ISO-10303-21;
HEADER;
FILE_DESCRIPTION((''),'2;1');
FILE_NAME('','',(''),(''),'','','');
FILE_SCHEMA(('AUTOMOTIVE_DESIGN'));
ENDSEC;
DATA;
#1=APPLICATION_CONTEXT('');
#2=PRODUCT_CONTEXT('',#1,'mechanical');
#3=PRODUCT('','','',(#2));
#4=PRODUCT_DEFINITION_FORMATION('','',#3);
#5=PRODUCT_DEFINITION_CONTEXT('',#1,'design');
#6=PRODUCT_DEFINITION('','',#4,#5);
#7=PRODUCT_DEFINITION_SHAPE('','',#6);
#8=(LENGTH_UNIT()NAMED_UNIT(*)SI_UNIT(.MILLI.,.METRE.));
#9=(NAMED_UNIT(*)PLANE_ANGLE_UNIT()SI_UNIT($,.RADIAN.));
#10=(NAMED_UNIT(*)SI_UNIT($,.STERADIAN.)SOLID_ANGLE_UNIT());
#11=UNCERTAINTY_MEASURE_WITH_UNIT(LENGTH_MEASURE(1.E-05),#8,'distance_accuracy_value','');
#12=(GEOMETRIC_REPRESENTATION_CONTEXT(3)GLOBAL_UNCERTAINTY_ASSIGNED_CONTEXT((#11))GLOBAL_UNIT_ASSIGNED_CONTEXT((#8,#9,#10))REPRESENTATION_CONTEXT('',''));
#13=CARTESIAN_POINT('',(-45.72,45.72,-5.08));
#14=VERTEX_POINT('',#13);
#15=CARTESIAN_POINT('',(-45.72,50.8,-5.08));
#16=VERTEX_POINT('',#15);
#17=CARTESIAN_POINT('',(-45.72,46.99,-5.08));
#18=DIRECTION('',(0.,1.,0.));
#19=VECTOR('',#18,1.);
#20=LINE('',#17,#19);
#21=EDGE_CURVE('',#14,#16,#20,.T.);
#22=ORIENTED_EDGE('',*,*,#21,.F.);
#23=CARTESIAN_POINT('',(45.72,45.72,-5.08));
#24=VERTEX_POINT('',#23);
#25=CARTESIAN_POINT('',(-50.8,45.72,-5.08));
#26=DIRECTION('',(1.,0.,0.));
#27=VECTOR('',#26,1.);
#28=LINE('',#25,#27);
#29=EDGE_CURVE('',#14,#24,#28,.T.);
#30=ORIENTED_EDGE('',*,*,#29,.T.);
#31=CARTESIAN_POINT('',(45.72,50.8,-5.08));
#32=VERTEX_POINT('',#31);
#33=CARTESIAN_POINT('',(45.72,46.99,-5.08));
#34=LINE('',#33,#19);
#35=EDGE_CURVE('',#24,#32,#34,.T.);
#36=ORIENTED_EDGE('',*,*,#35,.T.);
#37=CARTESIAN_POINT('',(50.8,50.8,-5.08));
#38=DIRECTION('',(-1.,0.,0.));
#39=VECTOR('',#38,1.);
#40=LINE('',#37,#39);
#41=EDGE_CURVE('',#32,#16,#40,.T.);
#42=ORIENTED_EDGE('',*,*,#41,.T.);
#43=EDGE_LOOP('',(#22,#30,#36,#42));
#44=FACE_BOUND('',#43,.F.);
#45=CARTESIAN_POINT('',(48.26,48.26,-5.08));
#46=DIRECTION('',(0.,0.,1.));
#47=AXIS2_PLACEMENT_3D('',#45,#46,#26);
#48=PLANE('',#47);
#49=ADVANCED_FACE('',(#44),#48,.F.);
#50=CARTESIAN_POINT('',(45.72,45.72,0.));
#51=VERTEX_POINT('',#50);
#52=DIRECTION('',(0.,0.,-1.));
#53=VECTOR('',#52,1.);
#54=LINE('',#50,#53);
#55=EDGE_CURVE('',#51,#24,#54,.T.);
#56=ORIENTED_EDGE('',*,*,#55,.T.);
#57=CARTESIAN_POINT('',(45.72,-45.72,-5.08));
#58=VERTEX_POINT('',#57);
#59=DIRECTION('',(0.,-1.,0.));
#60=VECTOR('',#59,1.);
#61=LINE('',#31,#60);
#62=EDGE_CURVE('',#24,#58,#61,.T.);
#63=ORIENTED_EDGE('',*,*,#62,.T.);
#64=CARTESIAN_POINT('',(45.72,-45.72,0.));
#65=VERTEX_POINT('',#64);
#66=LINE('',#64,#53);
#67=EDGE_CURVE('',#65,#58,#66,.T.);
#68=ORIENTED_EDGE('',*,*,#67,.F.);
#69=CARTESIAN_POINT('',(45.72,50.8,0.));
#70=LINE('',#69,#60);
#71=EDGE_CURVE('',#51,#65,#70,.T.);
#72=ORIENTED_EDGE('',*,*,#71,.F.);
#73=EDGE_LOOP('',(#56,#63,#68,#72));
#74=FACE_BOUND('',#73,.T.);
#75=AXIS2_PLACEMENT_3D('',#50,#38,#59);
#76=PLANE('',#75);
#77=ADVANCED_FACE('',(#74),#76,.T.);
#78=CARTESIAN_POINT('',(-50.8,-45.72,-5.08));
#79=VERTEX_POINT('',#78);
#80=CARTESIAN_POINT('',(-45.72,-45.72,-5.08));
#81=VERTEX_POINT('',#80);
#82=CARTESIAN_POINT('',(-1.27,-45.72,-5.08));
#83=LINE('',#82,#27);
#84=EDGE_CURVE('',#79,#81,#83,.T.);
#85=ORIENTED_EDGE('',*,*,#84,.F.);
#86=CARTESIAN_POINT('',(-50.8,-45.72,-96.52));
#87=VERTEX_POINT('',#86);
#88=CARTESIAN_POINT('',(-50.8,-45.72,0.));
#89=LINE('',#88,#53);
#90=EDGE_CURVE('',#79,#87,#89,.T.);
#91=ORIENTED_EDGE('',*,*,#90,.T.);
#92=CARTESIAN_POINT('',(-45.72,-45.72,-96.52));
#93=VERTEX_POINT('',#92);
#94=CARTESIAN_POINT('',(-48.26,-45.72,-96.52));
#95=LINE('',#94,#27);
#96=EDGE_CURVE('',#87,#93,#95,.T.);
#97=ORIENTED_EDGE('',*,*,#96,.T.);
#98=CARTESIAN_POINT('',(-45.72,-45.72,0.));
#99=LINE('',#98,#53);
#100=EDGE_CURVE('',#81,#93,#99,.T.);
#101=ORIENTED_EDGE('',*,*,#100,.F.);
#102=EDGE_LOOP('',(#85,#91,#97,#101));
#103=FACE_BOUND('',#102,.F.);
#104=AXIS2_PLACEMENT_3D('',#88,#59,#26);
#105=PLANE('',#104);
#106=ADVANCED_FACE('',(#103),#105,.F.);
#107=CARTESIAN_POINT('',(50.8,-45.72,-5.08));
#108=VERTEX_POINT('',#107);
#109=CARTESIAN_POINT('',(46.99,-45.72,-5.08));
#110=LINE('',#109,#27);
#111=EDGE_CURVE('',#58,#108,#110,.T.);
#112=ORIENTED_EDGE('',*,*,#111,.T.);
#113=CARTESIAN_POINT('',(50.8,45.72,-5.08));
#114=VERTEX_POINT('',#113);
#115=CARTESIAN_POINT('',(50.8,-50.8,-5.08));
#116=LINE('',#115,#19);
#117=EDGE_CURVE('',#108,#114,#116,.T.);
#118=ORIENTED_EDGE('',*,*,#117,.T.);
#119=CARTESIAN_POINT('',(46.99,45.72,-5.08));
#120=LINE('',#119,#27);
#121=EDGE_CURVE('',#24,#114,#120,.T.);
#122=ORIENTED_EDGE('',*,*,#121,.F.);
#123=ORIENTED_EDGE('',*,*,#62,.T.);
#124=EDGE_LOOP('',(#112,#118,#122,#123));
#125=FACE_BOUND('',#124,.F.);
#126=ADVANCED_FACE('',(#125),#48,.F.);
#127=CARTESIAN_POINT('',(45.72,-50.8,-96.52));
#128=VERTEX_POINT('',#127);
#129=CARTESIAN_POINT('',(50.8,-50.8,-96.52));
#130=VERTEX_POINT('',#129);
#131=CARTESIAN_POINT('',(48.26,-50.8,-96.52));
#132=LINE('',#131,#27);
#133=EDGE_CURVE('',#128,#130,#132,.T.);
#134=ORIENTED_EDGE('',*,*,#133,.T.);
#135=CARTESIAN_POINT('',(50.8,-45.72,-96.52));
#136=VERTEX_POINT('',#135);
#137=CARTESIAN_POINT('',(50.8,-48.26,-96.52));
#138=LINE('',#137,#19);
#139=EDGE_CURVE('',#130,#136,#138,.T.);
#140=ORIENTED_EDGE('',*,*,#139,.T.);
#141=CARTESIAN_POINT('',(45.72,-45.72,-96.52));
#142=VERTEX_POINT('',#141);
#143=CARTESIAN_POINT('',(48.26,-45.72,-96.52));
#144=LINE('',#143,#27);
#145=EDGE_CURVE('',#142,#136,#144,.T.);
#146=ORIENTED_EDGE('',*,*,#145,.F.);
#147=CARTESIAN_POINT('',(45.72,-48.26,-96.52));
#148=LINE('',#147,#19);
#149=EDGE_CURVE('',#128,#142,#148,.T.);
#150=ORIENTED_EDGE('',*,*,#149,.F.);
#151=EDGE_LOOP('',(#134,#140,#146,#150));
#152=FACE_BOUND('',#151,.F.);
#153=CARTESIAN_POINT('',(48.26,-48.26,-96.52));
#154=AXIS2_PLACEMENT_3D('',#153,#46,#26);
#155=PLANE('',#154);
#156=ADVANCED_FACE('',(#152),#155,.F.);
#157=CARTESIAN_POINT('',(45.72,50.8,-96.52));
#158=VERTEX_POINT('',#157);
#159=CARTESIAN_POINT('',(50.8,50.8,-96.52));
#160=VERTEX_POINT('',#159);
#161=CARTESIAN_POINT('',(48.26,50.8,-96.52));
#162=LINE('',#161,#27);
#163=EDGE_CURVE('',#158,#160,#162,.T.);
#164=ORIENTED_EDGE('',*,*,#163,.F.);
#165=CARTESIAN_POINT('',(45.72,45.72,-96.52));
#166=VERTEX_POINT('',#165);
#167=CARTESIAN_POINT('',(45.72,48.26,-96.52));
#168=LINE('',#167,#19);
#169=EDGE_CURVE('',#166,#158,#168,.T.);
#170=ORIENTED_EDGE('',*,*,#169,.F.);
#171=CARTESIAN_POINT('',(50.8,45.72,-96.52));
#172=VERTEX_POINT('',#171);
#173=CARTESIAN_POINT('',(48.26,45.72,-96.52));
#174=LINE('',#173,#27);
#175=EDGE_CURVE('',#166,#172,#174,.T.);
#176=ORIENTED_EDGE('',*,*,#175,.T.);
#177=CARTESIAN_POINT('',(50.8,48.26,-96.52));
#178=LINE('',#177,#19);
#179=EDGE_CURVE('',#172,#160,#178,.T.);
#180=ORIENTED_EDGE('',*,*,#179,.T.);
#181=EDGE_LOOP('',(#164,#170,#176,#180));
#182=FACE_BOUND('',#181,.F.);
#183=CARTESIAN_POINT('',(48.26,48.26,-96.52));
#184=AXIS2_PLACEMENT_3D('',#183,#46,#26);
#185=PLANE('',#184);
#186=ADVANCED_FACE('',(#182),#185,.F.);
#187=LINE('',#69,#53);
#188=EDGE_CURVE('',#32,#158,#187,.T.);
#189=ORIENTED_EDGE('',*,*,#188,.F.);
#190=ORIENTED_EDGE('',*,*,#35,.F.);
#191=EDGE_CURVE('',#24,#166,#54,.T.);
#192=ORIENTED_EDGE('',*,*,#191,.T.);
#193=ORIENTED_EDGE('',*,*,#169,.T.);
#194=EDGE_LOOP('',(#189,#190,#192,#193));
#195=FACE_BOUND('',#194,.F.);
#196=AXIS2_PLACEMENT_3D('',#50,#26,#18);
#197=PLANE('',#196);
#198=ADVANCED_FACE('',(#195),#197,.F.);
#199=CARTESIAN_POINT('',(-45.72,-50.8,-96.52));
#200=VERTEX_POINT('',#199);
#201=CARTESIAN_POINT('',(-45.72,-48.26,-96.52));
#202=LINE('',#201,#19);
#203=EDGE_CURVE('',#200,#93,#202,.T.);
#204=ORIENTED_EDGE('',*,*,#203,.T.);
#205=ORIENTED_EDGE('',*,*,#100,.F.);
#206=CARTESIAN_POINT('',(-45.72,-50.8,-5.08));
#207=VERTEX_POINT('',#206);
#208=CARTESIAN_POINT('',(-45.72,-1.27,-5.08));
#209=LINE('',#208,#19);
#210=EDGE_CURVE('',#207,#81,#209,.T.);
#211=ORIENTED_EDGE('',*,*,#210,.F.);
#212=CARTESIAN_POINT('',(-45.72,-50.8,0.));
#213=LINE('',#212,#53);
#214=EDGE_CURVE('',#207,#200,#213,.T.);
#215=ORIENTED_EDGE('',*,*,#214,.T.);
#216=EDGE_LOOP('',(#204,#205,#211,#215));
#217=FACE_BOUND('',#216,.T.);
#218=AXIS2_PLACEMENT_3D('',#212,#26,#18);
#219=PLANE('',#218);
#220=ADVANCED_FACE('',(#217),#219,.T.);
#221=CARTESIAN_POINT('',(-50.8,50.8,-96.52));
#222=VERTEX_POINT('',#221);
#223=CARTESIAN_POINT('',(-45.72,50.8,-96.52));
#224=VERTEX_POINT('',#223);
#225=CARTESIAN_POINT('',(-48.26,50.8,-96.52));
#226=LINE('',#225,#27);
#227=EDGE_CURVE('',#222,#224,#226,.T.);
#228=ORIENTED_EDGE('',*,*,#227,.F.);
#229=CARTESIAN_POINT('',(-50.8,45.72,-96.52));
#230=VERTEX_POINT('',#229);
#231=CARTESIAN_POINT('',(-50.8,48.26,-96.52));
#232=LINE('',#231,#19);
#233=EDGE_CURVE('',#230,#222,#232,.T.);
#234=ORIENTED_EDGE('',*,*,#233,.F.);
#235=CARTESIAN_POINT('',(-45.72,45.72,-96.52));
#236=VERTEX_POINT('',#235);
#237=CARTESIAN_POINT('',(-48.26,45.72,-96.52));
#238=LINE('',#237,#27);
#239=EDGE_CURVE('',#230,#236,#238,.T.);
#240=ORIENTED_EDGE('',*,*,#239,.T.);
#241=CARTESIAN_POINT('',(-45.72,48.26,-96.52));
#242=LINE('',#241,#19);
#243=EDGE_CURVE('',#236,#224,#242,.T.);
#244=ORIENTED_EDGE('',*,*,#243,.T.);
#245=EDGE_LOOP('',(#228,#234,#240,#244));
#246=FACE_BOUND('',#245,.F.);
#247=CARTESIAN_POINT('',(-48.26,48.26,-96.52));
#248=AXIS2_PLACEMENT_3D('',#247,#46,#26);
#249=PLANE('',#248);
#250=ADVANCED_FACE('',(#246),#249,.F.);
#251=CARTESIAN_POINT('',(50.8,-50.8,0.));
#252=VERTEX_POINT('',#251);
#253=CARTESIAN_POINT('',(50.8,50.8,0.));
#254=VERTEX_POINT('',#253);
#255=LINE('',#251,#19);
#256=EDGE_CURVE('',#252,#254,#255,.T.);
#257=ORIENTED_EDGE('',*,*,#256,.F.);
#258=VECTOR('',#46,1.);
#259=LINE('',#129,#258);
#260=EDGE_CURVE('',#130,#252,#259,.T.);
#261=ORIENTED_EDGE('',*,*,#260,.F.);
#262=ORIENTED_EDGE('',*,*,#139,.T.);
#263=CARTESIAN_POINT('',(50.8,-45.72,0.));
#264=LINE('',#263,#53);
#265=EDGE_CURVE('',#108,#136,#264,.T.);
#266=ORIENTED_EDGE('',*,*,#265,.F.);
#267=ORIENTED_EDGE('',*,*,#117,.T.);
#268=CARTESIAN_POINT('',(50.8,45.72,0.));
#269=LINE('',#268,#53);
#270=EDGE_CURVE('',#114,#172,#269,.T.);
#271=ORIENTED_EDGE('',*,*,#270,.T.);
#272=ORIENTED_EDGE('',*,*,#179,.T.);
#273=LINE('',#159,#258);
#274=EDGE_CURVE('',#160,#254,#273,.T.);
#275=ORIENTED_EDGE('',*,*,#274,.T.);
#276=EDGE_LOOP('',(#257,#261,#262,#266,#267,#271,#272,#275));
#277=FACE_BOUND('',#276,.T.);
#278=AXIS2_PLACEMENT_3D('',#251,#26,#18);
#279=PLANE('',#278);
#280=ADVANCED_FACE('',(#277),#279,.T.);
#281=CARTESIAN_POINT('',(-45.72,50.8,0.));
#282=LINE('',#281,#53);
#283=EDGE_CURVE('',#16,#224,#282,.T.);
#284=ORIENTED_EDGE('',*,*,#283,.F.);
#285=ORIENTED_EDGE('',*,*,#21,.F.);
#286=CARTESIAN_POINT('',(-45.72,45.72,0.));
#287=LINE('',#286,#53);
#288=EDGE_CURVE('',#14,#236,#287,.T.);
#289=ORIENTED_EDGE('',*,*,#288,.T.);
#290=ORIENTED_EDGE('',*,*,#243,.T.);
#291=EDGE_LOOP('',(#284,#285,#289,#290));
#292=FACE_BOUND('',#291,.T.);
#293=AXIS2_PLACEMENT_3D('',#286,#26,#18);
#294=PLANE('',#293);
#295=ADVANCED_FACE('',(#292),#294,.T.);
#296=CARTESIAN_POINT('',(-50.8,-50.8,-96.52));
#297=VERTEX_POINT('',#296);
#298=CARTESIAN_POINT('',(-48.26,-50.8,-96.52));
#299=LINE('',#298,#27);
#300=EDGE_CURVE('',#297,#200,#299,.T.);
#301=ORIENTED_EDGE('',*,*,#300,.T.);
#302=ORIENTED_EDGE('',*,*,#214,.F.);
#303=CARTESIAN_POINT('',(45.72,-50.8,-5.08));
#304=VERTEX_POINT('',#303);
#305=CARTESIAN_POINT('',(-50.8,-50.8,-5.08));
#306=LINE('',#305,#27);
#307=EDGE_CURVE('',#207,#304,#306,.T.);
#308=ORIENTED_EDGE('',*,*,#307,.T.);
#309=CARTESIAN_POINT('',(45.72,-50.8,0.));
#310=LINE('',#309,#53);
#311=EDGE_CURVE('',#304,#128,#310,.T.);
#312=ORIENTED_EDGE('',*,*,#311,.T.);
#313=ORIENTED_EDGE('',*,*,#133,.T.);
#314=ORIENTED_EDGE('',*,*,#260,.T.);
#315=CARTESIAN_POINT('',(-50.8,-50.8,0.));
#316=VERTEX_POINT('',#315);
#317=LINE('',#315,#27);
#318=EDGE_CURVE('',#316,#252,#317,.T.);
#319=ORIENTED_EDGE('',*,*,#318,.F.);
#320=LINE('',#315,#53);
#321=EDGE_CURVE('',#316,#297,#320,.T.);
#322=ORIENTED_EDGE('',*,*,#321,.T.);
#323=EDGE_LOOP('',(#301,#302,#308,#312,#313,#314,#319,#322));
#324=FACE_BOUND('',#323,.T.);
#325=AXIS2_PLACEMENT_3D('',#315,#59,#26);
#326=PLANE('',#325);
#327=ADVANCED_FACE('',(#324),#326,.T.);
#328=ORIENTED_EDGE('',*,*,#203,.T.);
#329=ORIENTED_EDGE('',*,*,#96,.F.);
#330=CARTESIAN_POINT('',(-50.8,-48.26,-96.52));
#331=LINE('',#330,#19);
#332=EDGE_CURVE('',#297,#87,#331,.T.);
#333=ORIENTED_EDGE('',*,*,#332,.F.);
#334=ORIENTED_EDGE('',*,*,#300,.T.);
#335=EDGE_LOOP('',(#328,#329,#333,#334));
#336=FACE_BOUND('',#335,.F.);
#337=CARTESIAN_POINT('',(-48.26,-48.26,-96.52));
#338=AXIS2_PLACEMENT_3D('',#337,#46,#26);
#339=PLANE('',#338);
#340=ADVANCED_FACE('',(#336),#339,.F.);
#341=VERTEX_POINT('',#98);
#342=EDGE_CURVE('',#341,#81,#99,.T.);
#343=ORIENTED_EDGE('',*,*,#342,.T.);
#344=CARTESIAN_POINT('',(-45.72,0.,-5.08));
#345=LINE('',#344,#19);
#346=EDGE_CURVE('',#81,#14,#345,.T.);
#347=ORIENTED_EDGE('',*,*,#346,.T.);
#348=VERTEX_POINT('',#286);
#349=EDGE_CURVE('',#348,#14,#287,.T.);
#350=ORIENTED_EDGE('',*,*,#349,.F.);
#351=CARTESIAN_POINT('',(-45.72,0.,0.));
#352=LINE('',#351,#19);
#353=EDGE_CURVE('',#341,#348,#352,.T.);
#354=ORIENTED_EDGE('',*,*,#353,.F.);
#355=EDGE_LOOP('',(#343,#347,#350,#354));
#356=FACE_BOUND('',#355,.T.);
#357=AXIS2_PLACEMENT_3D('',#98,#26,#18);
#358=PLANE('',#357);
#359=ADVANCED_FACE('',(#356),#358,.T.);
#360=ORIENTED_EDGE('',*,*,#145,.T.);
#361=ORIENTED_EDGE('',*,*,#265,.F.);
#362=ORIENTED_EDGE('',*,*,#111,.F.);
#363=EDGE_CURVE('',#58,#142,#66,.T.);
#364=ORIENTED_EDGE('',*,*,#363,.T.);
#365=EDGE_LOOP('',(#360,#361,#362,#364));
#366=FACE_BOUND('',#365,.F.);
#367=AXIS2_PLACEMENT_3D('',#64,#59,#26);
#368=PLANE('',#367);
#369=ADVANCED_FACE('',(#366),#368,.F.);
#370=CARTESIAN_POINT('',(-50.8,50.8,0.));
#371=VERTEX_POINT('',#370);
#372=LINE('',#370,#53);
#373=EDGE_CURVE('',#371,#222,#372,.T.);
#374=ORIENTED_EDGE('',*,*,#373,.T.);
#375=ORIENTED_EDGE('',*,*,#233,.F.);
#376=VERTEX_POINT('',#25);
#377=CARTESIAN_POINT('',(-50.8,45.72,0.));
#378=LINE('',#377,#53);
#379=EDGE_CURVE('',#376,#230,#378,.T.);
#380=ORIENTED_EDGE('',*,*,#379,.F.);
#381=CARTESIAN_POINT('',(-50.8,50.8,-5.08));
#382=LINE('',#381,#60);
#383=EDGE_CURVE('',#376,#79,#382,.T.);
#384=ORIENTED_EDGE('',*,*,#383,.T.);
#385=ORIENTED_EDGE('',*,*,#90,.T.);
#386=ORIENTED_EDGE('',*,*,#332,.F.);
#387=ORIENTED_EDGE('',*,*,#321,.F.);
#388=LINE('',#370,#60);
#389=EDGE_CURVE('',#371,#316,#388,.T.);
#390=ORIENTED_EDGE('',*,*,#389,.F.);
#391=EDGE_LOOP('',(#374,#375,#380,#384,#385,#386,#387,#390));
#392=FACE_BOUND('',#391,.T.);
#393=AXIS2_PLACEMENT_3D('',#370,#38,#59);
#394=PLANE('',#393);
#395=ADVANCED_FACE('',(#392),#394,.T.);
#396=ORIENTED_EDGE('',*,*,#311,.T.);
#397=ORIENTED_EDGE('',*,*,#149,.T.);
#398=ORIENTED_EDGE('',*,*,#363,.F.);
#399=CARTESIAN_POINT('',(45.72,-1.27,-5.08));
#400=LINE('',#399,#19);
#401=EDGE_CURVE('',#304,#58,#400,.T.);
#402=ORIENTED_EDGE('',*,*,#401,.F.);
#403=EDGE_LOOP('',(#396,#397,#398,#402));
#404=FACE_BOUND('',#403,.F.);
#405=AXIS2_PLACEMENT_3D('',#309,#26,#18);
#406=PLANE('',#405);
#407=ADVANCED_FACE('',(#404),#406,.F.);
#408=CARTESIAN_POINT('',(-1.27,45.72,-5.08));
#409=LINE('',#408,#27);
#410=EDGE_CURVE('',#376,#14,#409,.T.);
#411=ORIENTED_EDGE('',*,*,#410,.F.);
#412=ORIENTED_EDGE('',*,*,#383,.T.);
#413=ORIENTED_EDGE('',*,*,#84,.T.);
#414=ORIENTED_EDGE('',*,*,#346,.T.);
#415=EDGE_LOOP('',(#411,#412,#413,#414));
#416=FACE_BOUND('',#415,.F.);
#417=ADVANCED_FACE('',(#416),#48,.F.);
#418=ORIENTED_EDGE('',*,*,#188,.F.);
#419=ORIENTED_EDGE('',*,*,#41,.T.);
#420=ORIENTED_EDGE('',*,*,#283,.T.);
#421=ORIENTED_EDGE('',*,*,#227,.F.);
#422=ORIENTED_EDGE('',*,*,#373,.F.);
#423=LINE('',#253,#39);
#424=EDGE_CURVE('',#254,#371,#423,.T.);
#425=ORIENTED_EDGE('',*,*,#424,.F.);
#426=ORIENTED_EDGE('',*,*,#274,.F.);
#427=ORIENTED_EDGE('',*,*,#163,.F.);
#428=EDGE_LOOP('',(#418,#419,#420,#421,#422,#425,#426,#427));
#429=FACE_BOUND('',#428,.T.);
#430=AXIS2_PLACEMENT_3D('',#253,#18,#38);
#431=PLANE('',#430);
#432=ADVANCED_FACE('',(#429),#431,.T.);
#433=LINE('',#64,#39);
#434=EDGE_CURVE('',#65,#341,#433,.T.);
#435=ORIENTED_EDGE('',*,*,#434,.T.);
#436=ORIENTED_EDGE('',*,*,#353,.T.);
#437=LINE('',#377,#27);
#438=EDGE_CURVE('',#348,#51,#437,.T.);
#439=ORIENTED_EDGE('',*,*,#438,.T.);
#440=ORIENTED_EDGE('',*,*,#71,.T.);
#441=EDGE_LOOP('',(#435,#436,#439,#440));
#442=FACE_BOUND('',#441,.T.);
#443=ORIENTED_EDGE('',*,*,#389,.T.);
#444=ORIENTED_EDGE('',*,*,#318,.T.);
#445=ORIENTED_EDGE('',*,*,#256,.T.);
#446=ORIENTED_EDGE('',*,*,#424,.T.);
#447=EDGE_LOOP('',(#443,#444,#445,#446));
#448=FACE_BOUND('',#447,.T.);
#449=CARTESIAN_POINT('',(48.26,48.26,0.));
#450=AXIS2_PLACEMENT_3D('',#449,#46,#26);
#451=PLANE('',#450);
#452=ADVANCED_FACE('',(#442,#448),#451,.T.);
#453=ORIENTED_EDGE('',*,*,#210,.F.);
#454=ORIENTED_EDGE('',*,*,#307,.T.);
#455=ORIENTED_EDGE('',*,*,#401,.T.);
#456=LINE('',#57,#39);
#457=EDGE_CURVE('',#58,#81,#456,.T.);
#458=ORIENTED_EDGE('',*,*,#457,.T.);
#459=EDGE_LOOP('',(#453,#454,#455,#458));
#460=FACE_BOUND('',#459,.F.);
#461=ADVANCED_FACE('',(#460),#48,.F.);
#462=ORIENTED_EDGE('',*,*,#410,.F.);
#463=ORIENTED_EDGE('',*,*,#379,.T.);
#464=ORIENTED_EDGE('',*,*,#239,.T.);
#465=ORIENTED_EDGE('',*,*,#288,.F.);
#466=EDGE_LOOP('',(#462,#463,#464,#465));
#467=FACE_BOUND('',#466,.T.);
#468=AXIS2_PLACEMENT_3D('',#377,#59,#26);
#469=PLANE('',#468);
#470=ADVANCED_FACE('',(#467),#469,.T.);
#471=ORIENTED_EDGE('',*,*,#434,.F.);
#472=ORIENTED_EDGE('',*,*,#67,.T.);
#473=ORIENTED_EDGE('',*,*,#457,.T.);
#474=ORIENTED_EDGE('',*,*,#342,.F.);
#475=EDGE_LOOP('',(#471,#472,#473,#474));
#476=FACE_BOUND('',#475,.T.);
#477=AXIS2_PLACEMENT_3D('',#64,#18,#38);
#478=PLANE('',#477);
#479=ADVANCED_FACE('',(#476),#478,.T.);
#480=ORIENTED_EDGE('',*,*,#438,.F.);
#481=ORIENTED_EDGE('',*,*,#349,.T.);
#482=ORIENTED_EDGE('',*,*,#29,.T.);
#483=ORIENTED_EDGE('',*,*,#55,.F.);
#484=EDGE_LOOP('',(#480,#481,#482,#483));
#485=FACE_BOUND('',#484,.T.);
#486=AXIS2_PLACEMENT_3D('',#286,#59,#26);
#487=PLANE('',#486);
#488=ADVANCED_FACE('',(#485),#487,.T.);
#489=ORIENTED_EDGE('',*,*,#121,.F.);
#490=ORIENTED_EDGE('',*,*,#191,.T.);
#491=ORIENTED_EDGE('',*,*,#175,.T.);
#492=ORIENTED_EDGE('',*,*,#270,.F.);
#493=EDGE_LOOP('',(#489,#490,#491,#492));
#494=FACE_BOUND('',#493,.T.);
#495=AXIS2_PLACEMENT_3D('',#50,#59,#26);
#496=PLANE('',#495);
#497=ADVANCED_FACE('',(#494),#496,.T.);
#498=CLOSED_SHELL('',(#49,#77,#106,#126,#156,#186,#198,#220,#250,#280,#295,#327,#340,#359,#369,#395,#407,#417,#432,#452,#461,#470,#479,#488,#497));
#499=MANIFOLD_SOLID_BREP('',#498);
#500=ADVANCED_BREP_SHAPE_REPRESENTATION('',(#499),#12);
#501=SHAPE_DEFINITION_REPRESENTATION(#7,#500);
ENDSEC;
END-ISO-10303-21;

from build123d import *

# Parameters (mm, degrees)
F0_W     = 5.08
F0_H     = 5.08
F0_H_2   = 91.44
F0_W_2   = 91.44
F1_DEPTH = 5.08
F2_DEPTH = 96.52


with BuildPart() as f1:
    # F0 (on Top) → F1 (new body)
    with BuildSketch(Plane.XY):
        with Locations((48.26, 48.26)):
            Rectangle(F0_W, F0_H)
        with Locations((48.26, 0)):
            Rectangle(F0_W, F0_H_2)
        with Locations((0, -48.26)):
            Rectangle(F0_W_2, F0_H)
        with Locations((-48.26, 48.26)):
            Rectangle(F0_W, F0_H)
        with Locations((0, 48.26)):
            Rectangle(F0_W_2, F0_H)
        with Locations((48.26, -48.26)):
            Rectangle(F0_W, F0_H)
        with Locations((-48.26, -48.26)):
            Rectangle(F0_W, F0_H)
        with Locations((-48.26, 0)):
            Rectangle(F0_W, F0_H_2)
    extrude(amount=-F1_DEPTH)

    # F0 (on Top) → F2 (join)
    with BuildSketch(Plane.XY):
        with Locations((-48.26, -48.26)):
            Rectangle(F0_W, F0_H)
        with Locations((48.26, 48.26)):
            Rectangle(F0_W, F0_H)
        with Locations((48.26, -48.26)):
            Rectangle(F0_W, F0_H)
        with Locations((-48.26, 48.26)):
            Rectangle(F0_W, F0_H)
    extrude(amount=-F2_DEPTH)


solid = f1.part
